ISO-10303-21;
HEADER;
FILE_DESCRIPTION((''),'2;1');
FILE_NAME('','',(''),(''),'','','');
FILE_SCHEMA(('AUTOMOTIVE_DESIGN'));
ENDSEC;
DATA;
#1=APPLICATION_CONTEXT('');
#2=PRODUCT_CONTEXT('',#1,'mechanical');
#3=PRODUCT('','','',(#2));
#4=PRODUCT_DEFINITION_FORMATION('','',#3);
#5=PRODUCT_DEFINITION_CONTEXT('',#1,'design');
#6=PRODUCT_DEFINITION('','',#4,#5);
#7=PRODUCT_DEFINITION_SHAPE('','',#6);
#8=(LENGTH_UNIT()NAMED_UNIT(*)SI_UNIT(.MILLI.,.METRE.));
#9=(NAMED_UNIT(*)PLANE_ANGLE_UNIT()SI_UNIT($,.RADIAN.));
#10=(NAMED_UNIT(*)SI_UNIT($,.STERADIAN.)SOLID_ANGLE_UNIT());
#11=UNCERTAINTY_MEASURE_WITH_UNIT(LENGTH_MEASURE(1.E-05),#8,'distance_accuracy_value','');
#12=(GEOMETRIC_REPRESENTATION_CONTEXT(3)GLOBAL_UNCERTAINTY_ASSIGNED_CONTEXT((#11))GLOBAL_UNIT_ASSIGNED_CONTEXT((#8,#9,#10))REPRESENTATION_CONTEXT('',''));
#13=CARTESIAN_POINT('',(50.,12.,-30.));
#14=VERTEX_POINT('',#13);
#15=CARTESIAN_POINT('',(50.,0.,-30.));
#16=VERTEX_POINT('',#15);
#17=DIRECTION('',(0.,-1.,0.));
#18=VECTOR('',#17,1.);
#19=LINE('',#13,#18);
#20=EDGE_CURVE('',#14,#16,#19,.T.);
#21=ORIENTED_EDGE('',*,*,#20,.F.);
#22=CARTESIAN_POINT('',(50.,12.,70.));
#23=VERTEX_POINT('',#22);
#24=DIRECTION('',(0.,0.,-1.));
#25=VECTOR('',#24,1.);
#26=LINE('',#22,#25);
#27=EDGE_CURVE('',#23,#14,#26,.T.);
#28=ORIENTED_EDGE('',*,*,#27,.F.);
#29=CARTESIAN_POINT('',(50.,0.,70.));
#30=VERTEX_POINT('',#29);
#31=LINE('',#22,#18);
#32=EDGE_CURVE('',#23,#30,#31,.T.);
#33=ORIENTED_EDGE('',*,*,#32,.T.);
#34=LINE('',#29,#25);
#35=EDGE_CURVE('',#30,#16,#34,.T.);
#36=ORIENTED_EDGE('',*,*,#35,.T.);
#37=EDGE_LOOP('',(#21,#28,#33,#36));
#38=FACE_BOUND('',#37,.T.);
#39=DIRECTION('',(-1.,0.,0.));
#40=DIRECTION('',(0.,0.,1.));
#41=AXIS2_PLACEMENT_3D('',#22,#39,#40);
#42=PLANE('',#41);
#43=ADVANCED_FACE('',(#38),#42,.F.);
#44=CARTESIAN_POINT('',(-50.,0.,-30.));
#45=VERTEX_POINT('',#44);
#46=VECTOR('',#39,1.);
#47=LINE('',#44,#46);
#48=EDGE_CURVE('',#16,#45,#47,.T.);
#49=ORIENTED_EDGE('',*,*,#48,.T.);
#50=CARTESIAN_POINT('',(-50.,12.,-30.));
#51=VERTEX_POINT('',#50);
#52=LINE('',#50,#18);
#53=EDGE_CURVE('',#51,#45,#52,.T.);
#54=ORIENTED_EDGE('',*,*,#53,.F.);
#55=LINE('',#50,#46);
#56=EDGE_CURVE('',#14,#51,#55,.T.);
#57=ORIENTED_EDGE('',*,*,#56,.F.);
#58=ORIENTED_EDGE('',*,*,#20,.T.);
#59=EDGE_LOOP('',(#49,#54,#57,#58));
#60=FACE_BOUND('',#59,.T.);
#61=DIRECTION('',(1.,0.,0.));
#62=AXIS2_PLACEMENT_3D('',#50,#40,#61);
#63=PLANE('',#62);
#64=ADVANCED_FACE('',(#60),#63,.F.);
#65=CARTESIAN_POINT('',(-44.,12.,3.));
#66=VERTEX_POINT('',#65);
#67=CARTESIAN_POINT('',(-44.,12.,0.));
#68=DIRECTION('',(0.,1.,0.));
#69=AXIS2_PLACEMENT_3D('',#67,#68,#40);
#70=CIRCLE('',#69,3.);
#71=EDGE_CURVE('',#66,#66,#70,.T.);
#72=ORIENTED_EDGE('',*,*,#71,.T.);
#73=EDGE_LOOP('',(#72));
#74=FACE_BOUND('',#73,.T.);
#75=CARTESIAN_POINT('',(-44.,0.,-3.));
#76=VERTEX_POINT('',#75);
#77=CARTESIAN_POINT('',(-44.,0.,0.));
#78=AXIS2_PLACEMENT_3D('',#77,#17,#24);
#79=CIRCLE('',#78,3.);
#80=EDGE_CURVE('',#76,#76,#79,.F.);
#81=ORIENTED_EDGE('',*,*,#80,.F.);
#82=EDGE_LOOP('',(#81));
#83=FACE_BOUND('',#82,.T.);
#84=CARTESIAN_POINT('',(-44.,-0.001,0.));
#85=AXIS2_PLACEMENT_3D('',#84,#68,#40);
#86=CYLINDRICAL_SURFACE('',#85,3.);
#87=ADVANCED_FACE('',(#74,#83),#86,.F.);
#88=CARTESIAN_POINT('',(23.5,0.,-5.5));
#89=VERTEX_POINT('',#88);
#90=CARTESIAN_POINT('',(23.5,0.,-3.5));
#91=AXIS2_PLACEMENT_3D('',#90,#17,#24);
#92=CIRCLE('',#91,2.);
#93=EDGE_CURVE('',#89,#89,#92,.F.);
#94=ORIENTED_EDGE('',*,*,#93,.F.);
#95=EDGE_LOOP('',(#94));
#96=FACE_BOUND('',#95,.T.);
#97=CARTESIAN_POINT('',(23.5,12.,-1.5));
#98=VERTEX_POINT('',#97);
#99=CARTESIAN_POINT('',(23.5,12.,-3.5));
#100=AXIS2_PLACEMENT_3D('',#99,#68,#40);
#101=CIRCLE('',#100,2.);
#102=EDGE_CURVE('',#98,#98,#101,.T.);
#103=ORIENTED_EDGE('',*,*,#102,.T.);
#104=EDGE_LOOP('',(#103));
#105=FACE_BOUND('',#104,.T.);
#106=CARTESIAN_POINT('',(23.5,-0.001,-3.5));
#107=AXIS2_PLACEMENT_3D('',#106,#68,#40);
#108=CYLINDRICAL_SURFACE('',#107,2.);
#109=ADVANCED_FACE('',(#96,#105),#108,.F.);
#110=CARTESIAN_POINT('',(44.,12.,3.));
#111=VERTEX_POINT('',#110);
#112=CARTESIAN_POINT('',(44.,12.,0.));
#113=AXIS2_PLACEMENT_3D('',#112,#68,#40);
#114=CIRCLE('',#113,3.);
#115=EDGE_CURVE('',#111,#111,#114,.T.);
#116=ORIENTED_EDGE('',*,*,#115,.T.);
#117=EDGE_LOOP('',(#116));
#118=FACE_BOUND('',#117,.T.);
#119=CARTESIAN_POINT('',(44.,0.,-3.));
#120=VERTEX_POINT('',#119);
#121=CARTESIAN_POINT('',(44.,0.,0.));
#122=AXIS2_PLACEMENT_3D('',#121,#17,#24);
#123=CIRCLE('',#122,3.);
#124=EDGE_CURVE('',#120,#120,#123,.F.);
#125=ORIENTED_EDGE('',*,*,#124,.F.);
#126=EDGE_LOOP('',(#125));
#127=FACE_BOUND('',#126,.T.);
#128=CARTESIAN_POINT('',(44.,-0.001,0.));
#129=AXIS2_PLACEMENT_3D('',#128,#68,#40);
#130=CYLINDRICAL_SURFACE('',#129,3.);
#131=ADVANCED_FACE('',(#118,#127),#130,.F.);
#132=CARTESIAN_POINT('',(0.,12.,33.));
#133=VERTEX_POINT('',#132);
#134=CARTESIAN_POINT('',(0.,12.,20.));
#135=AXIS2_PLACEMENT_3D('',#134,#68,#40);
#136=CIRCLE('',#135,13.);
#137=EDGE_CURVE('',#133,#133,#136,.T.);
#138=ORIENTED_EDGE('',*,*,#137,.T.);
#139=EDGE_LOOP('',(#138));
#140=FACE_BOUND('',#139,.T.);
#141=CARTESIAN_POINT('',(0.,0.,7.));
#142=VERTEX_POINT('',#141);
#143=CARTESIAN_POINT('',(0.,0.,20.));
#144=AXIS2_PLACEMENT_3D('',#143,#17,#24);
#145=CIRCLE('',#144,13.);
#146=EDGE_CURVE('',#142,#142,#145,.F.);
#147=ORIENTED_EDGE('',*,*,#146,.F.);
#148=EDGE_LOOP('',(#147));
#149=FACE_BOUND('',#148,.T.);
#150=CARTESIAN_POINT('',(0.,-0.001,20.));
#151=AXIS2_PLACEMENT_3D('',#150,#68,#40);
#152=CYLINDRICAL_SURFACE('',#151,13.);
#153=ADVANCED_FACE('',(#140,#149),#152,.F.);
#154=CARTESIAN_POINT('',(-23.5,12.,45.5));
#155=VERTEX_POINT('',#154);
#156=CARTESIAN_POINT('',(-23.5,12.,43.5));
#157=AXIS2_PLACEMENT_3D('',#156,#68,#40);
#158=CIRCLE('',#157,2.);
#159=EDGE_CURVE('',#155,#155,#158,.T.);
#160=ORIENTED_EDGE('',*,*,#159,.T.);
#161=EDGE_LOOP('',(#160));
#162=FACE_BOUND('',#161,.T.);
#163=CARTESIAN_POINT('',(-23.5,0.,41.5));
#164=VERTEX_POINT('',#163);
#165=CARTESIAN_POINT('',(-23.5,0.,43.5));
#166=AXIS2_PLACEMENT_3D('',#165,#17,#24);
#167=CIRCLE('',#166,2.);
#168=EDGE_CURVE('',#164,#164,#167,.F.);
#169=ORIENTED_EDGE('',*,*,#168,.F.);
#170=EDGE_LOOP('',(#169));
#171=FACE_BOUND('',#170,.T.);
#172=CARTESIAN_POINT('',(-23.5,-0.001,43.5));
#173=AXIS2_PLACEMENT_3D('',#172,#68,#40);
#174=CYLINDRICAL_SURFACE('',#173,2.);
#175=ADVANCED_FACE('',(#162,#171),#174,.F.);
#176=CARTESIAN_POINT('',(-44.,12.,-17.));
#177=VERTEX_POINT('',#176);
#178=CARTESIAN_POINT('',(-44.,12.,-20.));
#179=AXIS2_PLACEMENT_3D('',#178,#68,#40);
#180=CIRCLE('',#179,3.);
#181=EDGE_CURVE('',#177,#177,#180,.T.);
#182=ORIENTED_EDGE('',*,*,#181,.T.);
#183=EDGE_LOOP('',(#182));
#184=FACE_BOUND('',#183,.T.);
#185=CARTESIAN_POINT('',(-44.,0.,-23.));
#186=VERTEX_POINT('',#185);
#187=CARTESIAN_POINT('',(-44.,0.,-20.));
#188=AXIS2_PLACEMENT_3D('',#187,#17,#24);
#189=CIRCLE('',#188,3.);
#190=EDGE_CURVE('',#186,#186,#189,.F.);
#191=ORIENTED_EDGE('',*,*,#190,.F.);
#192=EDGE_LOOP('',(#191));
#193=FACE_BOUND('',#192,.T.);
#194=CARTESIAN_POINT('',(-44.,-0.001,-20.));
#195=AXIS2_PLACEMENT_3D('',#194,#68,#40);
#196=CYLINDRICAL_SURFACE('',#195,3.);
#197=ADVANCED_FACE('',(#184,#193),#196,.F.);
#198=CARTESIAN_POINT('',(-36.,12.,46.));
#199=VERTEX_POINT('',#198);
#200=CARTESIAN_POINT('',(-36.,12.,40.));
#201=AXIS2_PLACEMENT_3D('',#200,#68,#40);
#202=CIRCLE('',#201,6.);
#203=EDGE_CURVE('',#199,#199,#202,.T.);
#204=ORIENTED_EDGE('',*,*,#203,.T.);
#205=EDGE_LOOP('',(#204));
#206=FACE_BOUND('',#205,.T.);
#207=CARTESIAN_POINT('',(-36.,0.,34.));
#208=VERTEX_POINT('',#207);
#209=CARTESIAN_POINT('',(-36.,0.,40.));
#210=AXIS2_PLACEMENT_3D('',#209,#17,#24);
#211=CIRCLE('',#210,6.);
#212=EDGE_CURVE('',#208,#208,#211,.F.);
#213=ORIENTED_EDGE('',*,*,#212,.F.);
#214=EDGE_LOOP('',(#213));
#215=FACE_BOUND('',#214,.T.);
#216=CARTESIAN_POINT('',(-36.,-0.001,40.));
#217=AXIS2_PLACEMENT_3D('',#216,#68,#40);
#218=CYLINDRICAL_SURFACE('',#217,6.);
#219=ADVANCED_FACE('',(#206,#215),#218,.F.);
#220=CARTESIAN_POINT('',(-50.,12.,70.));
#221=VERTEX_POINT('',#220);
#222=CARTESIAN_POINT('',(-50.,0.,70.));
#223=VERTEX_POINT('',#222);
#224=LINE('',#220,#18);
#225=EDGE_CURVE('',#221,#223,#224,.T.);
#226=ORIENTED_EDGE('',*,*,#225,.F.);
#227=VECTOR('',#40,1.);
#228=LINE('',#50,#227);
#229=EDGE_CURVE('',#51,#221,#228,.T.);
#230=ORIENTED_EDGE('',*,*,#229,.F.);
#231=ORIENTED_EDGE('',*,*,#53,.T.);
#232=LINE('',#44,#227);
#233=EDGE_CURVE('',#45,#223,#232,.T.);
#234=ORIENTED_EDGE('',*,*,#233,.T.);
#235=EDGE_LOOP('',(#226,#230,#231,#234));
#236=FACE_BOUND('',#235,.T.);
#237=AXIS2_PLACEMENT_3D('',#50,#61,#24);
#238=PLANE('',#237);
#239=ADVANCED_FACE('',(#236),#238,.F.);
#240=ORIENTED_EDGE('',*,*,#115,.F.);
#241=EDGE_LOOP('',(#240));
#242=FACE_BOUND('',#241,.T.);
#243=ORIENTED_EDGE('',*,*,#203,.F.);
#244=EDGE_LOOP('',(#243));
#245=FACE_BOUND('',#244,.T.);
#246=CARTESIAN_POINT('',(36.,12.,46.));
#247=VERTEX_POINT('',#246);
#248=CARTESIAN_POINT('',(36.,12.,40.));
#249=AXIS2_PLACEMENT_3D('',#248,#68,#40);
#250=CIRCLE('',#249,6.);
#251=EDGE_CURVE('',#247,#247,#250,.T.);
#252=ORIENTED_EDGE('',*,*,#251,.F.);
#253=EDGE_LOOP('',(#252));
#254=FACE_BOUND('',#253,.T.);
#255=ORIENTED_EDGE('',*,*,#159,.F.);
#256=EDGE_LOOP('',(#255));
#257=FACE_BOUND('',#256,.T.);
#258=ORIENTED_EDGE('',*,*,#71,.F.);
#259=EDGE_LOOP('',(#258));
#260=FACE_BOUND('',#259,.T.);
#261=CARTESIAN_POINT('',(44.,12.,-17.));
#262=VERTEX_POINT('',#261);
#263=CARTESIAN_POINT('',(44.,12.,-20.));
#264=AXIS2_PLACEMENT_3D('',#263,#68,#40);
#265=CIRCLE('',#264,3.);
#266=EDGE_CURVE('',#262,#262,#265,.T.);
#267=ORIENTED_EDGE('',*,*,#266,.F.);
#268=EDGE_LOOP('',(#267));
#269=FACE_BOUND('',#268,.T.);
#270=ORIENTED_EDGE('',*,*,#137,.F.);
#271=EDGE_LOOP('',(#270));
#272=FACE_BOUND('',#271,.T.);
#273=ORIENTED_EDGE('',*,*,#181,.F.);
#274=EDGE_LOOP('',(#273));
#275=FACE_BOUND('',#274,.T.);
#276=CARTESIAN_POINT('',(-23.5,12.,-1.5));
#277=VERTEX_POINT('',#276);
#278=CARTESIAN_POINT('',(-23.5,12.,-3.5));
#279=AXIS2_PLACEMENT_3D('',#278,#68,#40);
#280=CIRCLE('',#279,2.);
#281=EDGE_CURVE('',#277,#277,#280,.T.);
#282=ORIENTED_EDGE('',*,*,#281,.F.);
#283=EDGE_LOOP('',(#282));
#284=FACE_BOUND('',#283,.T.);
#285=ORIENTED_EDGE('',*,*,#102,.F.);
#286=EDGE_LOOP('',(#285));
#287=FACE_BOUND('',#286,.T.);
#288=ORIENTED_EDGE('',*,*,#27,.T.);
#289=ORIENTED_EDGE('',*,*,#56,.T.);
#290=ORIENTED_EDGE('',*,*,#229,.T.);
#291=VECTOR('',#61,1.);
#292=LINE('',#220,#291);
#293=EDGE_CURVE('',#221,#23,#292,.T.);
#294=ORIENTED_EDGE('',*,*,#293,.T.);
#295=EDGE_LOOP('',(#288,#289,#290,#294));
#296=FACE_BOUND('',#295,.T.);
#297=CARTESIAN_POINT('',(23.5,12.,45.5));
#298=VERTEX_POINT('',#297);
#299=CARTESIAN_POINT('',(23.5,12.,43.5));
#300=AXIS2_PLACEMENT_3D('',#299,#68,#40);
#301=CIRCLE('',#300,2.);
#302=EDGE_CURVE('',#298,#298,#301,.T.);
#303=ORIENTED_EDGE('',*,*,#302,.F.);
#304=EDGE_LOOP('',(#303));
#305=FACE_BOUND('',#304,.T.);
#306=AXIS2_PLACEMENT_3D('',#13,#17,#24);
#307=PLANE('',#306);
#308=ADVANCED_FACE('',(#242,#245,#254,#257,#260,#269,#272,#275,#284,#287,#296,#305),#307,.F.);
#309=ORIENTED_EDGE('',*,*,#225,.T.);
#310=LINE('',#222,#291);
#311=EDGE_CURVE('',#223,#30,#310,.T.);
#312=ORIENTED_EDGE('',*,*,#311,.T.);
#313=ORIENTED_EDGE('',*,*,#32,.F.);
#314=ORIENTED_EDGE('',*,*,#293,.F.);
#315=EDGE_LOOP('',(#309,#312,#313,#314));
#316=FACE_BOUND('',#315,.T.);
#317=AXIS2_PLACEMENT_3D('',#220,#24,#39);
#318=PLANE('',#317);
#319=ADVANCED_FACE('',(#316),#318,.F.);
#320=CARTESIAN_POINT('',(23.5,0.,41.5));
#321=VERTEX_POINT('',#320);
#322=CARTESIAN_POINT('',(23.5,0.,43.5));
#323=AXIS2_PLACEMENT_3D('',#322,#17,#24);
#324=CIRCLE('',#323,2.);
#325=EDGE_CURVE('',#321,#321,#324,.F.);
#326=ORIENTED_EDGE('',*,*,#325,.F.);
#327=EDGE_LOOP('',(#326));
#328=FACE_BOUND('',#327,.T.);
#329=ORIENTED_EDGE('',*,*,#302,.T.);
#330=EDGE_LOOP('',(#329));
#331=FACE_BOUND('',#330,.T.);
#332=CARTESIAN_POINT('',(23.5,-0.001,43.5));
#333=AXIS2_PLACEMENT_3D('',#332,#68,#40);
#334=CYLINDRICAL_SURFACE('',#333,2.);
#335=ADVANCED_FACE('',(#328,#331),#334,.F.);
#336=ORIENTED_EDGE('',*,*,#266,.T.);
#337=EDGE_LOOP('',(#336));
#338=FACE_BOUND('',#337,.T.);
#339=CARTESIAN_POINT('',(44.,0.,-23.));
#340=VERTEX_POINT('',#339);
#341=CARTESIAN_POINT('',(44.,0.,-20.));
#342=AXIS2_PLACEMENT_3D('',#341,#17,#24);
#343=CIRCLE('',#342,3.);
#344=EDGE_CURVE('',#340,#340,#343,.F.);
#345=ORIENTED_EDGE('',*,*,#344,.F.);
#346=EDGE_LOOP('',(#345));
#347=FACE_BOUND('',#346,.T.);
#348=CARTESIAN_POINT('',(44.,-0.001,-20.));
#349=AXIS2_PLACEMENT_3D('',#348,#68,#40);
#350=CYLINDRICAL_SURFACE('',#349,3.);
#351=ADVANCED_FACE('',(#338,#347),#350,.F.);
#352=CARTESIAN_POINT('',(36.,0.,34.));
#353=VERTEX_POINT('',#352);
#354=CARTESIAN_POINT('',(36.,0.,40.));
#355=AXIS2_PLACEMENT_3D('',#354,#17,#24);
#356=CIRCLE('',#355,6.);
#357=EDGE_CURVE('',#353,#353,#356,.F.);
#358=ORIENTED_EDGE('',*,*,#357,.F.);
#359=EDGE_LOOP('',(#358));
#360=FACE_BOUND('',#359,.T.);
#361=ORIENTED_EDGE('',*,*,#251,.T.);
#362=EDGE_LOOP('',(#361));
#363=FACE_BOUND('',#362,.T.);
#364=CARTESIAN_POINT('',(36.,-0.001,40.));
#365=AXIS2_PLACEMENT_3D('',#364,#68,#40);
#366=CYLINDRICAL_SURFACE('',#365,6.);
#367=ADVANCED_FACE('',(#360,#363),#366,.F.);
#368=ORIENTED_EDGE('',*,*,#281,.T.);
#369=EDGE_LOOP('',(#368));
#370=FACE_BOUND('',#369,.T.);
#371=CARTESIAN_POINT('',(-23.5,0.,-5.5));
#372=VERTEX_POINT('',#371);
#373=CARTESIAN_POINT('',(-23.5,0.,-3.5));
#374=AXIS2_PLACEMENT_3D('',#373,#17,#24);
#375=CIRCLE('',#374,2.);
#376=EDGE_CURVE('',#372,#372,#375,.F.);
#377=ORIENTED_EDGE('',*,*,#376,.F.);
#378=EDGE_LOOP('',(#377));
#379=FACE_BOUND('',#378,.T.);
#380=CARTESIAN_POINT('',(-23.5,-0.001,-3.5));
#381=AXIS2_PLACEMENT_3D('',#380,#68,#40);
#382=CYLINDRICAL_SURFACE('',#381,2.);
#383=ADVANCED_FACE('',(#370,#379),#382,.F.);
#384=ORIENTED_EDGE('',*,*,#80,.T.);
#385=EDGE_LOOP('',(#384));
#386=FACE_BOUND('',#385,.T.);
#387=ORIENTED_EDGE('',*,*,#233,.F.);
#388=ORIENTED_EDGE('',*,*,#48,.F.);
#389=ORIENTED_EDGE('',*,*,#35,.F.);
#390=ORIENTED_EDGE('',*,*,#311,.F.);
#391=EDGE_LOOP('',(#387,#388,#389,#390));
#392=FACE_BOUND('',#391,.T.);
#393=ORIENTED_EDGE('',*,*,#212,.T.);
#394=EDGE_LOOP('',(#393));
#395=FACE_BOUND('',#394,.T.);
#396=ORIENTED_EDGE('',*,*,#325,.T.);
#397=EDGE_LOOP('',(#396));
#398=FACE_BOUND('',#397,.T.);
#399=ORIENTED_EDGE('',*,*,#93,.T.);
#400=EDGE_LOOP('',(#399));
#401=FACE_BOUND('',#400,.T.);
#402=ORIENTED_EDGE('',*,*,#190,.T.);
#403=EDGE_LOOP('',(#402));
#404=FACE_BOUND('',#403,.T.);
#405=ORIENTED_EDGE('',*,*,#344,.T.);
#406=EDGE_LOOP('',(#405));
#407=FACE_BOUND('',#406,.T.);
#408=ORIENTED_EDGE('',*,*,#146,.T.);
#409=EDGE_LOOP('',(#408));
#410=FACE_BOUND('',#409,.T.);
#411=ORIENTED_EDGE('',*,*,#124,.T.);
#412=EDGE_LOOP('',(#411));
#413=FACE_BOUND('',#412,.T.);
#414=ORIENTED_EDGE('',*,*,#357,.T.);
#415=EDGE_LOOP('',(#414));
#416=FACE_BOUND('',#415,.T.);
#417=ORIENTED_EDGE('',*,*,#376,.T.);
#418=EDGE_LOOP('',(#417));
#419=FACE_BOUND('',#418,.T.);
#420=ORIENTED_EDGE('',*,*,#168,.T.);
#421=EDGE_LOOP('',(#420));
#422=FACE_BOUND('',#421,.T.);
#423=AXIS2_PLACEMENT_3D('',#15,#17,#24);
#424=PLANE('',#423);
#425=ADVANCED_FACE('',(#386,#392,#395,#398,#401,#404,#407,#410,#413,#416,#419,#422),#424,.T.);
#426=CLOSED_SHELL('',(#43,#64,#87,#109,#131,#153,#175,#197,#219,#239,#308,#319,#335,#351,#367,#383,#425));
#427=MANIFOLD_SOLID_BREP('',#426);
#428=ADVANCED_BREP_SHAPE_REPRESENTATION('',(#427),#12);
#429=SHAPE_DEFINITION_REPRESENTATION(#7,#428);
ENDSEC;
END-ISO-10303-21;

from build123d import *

# Parameters (mm, degrees)
SKETCH1_W           = 100
SKETCH1_H           = 100
BOSS_EXTRUDE1_DEPTH = 12
CUT_EXTRUDE1_REACH  = 88.856
SKETCH2_R           = 3
CUT_EXTRUDE2_REACH  = 88.856
SKETCH3_R           = 2
SKETCH3_R_2         = 13
CUT_EXTRUDE3_REACH  = 88.856
SKETCH4_R           = 6


with BuildPart() as part:
    # Sketch1 → Boss-Extrude1 (new body)
    with BuildSketch(Plane(origin=(0, 0, 0), x_dir=(1, 0, 0), z_dir=(0, 1, 0))):
        with Locations((0, -20)):
            Rectangle(SKETCH1_W, SKETCH1_H)
    extrude(amount=BOSS_EXTRUDE1_DEPTH)

    # Sketch2 → Cut-Extrude1 (cut, up to next)
    with BuildSketch(Plane(origin=(0, 12, 0), x_dir=(1, 0, 0), z_dir=(0, 1, 0)), mode=Mode.PRIVATE) as cut_extrude1_sk1:
        with Locations(Location((-44, 20, 0), (0, 0, 270))):
            Circle(SKETCH2_R)
    cut_extrude1_tool1 = extrude(cut_extrude1_sk1.sketch, amount=-CUT_EXTRUDE1_REACH, mode=Mode.PRIVATE) & part.part
    # Sketch2 → Cut-Extrude1 (cut, up to next)
    with BuildSketch(Plane(origin=(0, 12, 0), x_dir=(1, 0, 0), z_dir=(0, 1, 0)), mode=Mode.PRIVATE) as cut_extrude1_sk2:
        with Locations(Location((-44, 0, 0), (0, 0, 270))):
            Circle(SKETCH2_R)
    cut_extrude1_tool2 = extrude(cut_extrude1_sk2.sketch, amount=-CUT_EXTRUDE1_REACH, mode=Mode.PRIVATE) & part.part
    # Sketch2 → Cut-Extrude1 (cut, up to next)
    with BuildSketch(Plane(origin=(0, 12, 0), x_dir=(1, 0, 0), z_dir=(0, 1, 0)), mode=Mode.PRIVATE) as cut_extrude1_sk3:
        with Locations(Location((44, 20, 0), (0, 0, 270))):
            Circle(SKETCH2_R)
    cut_extrude1_tool3 = extrude(cut_extrude1_sk3.sketch, amount=-CUT_EXTRUDE1_REACH, mode=Mode.PRIVATE) & part.part
    # Sketch2 → Cut-Extrude1 (cut, up to next)
    with BuildSketch(Plane(origin=(0, 12, 0), x_dir=(1, 0, 0), z_dir=(0, 1, 0)), mode=Mode.PRIVATE) as cut_extrude1_sk4:
        with Locations(Location((44, 0, 0), (0, 0, 270))):
            Circle(SKETCH2_R)
    cut_extrude1_tool4 = extrude(cut_extrude1_sk4.sketch, amount=-CUT_EXTRUDE1_REACH, mode=Mode.PRIVATE) & part.part
    add(cut_extrude1_tool1.solids().sort_by_distance((-44, 12, -20))[0], mode=Mode.SUBTRACT)
    add(cut_extrude1_tool2.solids().sort_by_distance((-44, 12, 0))[0], mode=Mode.SUBTRACT)
    add(cut_extrude1_tool3.solids().sort_by_distance((44, 12, -20))[0], mode=Mode.SUBTRACT)
    add(cut_extrude1_tool4.solids().sort_by_distance((44, 12, 0))[0], mode=Mode.SUBTRACT)

    # Sketch3 → Cut-Extrude2 (cut, up to next)
    with BuildSketch(Plane(origin=(0, 12, 0), x_dir=(1, 0, 0), z_dir=(0, 1, 0)), mode=Mode.PRIVATE) as cut_extrude2_sk1:
        with Locations(Location((-23.5, -43.5, 0), (0, 0, 270))):
            Circle(SKETCH3_R)
    cut_extrude2_tool1 = extrude(cut_extrude2_sk1.sketch, amount=-CUT_EXTRUDE2_REACH, mode=Mode.PRIVATE) & part.part
    # Sketch3 → Cut-Extrude2 (cut, up to next)
    with BuildSketch(Plane(origin=(0, 12, 0), x_dir=(1, 0, 0), z_dir=(0, 1, 0)), mode=Mode.PRIVATE) as cut_extrude2_sk2:
        with Locations(Location((23.5, -43.5, 0), (0, 0, 270))):
            Circle(SKETCH3_R)
    cut_extrude2_tool2 = extrude(cut_extrude2_sk2.sketch, amount=-CUT_EXTRUDE2_REACH, mode=Mode.PRIVATE) & part.part
    # Sketch3 → Cut-Extrude2 (cut, up to next)
    with BuildSketch(Plane(origin=(0, 12, 0), x_dir=(1, 0, 0), z_dir=(0, 1, 0)), mode=Mode.PRIVATE) as cut_extrude2_sk3:
        with Locations(Location((23.5, 3.5, 0), (0, 0, 270))):
            Circle(SKETCH3_R)
    cut_extrude2_tool3 = extrude(cut_extrude2_sk3.sketch, amount=-CUT_EXTRUDE2_REACH, mode=Mode.PRIVATE) & part.part
    # Sketch3 → Cut-Extrude2 (cut, up to next)
    with BuildSketch(Plane(origin=(0, 12, 0), x_dir=(1, 0, 0), z_dir=(0, 1, 0)), mode=Mode.PRIVATE) as cut_extrude2_sk4:
        with Locations(Location((-23.5, 3.5, 0), (0, 0, 270))):
            Circle(SKETCH3_R)
    cut_extrude2_tool4 = extrude(cut_extrude2_sk4.sketch, amount=-CUT_EXTRUDE2_REACH, mode=Mode.PRIVATE) & part.part
    # Sketch3 → Cut-Extrude2 (cut, up to next)
    with BuildSketch(Plane(origin=(0, 12, 0), x_dir=(1, 0, 0), z_dir=(0, 1, 0)), mode=Mode.PRIVATE) as cut_extrude2_sk5:
        with Locations(Location((0, -20, 0), (0, 0, 270))):
            Circle(SKETCH3_R_2)
    cut_extrude2_tool5 = extrude(cut_extrude2_sk5.sketch, amount=-CUT_EXTRUDE2_REACH, mode=Mode.PRIVATE) & part.part
    add(cut_extrude2_tool1.solids().sort_by_distance((-23.5, 12, 43.5))[0], mode=Mode.SUBTRACT)
    add(cut_extrude2_tool2.solids().sort_by_distance((23.5, 12, 43.5))[0], mode=Mode.SUBTRACT)
    add(cut_extrude2_tool3.solids().sort_by_distance((23.5, 12, -3.5))[0], mode=Mode.SUBTRACT)
    add(cut_extrude2_tool4.solids().sort_by_distance((-23.5, 12, -3.5))[0], mode=Mode.SUBTRACT)
    add(cut_extrude2_tool5.solids().sort_by_distance((0, 12, 20))[0], mode=Mode.SUBTRACT)

    # Sketch4 → Cut-Extrude3 (cut, up to next)
    with BuildSketch(Plane(origin=(0, 12, 0), x_dir=(1, 0, 0), z_dir=(0, 1, 0)), mode=Mode.PRIVATE) as cut_extrude3_sk1:
        with Locations(Location((-36, -40, 0), (0, 0, 270))):
            Circle(SKETCH4_R)
    cut_extrude3_tool1 = extrude(cut_extrude3_sk1.sketch, amount=-CUT_EXTRUDE3_REACH, mode=Mode.PRIVATE) & part.part
    # Sketch4 → Cut-Extrude3 (cut, up to next)
    with BuildSketch(Plane(origin=(0, 12, 0), x_dir=(1, 0, 0), z_dir=(0, 1, 0)), mode=Mode.PRIVATE) as cut_extrude3_sk2:
        with Locations(Location((36, -40, 0), (0, 0, 270))):
            Circle(SKETCH4_R)
    cut_extrude3_tool2 = extrude(cut_extrude3_sk2.sketch, amount=-CUT_EXTRUDE3_REACH, mode=Mode.PRIVATE) & part.part
    add(cut_extrude3_tool1.solids().sort_by_distance((-36, 12, 40))[0], mode=Mode.SUBTRACT)
    add(cut_extrude3_tool2.solids().sort_by_distance((36, 12, 40))[0], mode=Mode.SUBTRACT)


solid = part.part
